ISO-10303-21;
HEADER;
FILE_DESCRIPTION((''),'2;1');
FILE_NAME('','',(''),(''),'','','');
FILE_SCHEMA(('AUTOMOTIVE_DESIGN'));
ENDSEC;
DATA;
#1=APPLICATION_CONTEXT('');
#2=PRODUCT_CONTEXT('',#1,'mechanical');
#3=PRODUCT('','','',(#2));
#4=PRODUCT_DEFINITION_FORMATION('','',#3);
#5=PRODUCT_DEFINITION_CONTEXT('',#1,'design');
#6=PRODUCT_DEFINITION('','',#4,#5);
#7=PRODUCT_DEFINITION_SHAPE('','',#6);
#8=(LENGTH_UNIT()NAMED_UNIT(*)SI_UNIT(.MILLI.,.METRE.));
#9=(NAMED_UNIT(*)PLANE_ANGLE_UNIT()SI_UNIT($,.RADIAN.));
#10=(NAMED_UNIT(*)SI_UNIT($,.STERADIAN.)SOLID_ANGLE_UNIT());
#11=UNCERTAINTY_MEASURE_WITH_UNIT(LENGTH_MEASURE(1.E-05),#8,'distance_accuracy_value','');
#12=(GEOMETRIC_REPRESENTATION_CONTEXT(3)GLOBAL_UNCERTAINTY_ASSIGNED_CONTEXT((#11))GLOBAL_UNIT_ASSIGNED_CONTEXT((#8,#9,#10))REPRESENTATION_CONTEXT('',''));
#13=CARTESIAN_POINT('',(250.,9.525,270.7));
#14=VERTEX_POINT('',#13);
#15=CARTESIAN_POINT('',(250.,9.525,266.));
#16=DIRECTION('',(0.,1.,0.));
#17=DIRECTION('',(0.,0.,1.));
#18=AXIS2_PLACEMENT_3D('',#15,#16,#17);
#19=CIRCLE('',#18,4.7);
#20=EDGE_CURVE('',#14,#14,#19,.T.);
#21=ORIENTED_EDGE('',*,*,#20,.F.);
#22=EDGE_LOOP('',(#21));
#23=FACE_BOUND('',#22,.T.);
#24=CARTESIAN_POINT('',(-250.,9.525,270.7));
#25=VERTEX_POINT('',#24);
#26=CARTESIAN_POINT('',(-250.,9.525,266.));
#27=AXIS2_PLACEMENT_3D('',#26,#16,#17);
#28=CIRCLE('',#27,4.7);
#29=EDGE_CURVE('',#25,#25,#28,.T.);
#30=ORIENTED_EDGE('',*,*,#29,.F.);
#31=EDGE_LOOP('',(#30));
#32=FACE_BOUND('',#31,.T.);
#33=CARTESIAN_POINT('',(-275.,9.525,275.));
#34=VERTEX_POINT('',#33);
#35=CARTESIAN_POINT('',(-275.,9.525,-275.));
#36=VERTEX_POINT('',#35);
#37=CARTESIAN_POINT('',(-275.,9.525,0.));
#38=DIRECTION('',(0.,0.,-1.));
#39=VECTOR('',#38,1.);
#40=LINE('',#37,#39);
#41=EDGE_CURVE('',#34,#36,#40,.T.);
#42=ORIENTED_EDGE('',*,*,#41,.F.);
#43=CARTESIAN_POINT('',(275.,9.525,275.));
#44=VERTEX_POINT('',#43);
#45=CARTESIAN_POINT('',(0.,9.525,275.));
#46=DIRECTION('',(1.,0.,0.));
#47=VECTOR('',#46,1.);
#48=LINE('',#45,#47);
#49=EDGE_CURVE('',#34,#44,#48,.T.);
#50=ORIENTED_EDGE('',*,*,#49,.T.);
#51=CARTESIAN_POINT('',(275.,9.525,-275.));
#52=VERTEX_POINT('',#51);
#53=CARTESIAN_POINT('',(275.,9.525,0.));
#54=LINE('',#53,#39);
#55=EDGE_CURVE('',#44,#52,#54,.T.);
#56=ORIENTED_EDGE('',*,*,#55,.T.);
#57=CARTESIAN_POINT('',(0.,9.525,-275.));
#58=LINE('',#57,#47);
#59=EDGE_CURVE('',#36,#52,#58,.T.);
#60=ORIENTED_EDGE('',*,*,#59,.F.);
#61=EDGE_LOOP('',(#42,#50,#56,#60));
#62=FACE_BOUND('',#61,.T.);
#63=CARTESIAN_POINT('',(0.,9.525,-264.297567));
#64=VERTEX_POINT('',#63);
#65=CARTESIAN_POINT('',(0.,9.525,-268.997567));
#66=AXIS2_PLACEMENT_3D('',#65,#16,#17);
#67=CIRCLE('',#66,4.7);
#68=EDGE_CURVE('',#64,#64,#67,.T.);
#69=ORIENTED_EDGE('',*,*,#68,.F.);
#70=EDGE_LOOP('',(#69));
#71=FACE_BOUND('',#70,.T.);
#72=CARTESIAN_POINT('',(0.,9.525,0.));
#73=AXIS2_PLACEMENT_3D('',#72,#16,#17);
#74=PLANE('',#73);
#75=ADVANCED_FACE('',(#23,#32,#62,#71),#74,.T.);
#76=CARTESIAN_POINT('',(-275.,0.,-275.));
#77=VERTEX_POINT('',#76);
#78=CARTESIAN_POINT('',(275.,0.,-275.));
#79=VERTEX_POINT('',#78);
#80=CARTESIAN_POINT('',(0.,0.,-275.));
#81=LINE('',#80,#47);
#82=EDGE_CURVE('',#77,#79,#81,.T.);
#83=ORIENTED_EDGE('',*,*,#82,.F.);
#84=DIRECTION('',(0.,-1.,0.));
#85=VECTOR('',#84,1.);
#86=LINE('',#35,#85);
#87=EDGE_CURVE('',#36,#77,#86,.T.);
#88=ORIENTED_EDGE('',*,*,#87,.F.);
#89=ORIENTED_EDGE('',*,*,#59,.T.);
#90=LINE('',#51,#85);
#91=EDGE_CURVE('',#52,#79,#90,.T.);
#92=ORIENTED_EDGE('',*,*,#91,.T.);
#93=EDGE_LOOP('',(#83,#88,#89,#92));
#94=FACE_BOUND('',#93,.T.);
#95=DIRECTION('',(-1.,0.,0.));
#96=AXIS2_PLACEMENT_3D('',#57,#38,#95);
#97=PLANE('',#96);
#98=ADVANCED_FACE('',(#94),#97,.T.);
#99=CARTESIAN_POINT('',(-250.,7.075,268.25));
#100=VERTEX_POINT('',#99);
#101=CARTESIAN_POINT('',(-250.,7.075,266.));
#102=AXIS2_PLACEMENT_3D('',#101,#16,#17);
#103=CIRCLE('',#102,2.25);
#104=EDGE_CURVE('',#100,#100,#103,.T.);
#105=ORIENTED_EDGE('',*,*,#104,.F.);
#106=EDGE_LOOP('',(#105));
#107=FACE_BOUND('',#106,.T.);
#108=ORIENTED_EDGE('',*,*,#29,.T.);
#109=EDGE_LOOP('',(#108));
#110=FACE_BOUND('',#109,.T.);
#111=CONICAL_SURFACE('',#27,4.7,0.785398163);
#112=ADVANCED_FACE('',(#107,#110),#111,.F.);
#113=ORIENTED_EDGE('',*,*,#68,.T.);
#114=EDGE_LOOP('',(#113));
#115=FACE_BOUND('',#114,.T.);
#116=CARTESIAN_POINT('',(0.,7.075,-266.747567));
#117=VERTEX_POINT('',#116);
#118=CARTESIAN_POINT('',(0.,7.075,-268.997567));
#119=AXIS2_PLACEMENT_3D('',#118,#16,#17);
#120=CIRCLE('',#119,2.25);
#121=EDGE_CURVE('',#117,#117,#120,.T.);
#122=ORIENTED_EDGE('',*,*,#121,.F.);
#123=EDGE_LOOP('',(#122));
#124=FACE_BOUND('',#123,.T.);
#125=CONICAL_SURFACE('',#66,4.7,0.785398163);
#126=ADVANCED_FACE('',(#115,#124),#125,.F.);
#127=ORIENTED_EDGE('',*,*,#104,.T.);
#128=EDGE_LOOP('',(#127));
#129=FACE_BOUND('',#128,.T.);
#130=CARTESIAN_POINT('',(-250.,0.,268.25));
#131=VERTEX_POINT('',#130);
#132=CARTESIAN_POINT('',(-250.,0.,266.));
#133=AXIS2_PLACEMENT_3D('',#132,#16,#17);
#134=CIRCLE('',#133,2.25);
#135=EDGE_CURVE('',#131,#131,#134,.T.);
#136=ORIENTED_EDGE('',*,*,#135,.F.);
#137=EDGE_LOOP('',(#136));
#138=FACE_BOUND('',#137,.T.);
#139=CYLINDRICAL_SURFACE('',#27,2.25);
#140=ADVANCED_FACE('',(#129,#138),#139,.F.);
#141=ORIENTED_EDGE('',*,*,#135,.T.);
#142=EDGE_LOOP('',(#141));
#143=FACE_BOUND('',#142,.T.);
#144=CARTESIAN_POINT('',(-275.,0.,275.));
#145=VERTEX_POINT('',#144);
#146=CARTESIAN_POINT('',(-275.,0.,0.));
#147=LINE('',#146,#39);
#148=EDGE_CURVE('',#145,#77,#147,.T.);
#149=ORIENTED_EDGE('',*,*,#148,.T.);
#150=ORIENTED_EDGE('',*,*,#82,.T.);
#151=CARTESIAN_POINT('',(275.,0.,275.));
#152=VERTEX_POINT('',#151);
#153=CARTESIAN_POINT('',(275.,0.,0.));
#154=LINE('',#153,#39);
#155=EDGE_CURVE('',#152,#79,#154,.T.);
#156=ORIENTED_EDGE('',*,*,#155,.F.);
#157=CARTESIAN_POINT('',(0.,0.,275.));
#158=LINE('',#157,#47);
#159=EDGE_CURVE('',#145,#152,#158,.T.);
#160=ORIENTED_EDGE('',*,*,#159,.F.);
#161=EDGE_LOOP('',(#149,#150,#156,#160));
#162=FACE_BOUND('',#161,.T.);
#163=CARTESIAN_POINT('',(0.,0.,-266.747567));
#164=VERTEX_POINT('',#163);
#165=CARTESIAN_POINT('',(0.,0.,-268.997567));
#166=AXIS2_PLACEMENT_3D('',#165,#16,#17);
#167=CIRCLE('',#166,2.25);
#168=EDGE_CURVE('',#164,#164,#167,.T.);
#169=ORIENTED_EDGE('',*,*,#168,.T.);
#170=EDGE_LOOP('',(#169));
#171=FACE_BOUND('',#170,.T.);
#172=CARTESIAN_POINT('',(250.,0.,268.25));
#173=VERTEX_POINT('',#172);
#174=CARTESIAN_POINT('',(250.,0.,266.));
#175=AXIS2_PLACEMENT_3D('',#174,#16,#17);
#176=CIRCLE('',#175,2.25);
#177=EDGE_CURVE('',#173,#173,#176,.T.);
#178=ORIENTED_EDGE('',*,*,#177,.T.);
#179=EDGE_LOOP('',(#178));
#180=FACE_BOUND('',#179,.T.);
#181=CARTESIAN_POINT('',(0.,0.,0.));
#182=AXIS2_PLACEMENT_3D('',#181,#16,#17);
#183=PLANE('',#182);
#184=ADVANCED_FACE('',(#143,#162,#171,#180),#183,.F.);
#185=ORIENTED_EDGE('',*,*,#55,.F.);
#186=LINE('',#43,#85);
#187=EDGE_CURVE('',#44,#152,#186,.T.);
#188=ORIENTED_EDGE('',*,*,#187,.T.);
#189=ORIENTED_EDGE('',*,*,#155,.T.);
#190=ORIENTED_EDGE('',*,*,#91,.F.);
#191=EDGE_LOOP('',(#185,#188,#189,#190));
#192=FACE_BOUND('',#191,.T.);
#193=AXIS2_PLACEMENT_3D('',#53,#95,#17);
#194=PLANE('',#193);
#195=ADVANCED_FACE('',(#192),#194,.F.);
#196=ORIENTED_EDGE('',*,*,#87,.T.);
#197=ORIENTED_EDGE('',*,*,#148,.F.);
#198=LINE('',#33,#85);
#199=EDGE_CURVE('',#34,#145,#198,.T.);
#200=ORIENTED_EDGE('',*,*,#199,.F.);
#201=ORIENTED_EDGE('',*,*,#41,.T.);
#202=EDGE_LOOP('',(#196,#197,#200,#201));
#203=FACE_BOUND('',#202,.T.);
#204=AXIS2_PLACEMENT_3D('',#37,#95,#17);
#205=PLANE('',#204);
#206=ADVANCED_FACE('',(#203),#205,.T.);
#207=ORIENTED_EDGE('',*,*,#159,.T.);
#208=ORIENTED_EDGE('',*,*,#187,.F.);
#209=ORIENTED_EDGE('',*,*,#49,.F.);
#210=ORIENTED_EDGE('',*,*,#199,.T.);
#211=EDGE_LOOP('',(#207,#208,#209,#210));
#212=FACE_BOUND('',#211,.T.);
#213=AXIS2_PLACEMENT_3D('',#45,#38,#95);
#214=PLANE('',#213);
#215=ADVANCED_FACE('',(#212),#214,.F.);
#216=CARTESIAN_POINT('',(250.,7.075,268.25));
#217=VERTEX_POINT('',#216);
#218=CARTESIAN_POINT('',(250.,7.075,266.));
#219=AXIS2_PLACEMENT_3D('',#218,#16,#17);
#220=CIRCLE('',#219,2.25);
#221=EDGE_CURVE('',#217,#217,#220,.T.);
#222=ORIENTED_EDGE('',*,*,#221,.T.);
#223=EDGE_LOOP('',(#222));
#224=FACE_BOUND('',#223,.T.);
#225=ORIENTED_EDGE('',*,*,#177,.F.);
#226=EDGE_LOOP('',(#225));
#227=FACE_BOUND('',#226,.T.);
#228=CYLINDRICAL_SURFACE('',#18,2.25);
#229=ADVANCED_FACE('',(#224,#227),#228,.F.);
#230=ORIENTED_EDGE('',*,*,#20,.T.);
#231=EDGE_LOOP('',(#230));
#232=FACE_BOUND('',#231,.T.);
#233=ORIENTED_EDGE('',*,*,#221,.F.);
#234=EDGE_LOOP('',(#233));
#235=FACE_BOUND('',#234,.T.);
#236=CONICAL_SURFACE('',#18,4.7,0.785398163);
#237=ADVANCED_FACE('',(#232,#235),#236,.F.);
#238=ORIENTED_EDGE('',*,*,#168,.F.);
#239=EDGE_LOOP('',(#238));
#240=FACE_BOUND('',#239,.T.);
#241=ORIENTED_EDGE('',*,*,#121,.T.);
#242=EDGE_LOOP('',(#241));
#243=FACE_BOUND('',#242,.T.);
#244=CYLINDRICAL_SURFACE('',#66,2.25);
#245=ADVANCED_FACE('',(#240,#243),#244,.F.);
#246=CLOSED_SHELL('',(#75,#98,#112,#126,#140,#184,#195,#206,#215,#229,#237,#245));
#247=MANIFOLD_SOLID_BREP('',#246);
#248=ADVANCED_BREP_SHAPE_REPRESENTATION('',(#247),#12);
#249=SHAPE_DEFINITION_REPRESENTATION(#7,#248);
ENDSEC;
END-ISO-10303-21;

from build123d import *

# Parameters (mm, degrees)
SKETCH1_W                                       = 550
SKETCH1_H                                       = 550
SKETCH1_R                                       = 2.1
SKETCH1_W_2                                     = 10
SKETCH1_H_2                                     = 16
BOSS_EXTRUDE1_DEPTH                             = 9.525
CSK_FOR_M4_FLAT_HEAD_MACHINE_SCREW1_D           = 4.5
CSK_FOR_M4_FLAT_HEAD_MACHINE_SCREW1_DEPTH       = 9.53
CSK_FOR_M4_FLAT_HEAD_MACHINE_SCREW1_CSINK_D     = 9.4
CSK_FOR_M4_FLAT_HEAD_MACHINE_SCREW1_CSINK_ANGLE = 90
CSK_FOR_M4_FLAT_HEAD_MACHINE_SCREW1_TIP         = 1.351936393


with BuildPart() as part:
    # Sketch1 → Boss-Extrude1 (new body)
    with BuildSketch(Plane(origin=(0, 0, 0), x_dir=(1, 0, 0), z_dir=(0, 1, 0))):
        Rectangle(SKETCH1_W, SKETCH1_H)
        with Locations((0, 268.997567297)):
            Circle(SKETCH1_R, mode=Mode.SUBTRACT)
        with Locations((-250, -263)):
            Rectangle(SKETCH1_W_2, SKETCH1_H_2, mode=Mode.SUBTRACT)
        with Locations((250, -263)):
            Rectangle(SKETCH1_W_2, SKETCH1_H_2, mode=Mode.SUBTRACT)
        with Locations((-250, -263)):
            Rectangle(SKETCH1_W_2, SKETCH1_H_2)
        with Locations((-250, -266)):
            Circle(SKETCH1_R, mode=Mode.SUBTRACT)
        with Locations((250, -263)):
            Rectangle(SKETCH1_W_2, SKETCH1_H_2)
        with Locations((250, -266)):
            Circle(SKETCH1_R, mode=Mode.SUBTRACT)
    extrude(amount=BOSS_EXTRUDE1_DEPTH)

    # CSK for M4 Flat Head Machine Screw1
    with Locations(Plane(origin=(0, 9.525, 0), x_dir=(1, 0, 0), z_dir=(0, 1, 0))):
        with Locations((0, 268.997567297), (250, -266), (-250, -266)):
            CounterSinkHole(CSK_FOR_M4_FLAT_HEAD_MACHINE_SCREW1_D / 2, CSK_FOR_M4_FLAT_HEAD_MACHINE_SCREW1_CSINK_D / 2, depth=CSK_FOR_M4_FLAT_HEAD_MACHINE_SCREW1_DEPTH, counter_sink_angle=CSK_FOR_M4_FLAT_HEAD_MACHINE_SCREW1_CSINK_ANGLE)
            with Locations((0, 0, -(CSK_FOR_M4_FLAT_HEAD_MACHINE_SCREW1_DEPTH + CSK_FOR_M4_FLAT_HEAD_MACHINE_SCREW1_TIP / 2))):  # 118° drill point
                Cone(0, CSK_FOR_M4_FLAT_HEAD_MACHINE_SCREW1_D / 2, CSK_FOR_M4_FLAT_HEAD_MACHINE_SCREW1_TIP, mode=Mode.SUBTRACT)


solid = part.part
